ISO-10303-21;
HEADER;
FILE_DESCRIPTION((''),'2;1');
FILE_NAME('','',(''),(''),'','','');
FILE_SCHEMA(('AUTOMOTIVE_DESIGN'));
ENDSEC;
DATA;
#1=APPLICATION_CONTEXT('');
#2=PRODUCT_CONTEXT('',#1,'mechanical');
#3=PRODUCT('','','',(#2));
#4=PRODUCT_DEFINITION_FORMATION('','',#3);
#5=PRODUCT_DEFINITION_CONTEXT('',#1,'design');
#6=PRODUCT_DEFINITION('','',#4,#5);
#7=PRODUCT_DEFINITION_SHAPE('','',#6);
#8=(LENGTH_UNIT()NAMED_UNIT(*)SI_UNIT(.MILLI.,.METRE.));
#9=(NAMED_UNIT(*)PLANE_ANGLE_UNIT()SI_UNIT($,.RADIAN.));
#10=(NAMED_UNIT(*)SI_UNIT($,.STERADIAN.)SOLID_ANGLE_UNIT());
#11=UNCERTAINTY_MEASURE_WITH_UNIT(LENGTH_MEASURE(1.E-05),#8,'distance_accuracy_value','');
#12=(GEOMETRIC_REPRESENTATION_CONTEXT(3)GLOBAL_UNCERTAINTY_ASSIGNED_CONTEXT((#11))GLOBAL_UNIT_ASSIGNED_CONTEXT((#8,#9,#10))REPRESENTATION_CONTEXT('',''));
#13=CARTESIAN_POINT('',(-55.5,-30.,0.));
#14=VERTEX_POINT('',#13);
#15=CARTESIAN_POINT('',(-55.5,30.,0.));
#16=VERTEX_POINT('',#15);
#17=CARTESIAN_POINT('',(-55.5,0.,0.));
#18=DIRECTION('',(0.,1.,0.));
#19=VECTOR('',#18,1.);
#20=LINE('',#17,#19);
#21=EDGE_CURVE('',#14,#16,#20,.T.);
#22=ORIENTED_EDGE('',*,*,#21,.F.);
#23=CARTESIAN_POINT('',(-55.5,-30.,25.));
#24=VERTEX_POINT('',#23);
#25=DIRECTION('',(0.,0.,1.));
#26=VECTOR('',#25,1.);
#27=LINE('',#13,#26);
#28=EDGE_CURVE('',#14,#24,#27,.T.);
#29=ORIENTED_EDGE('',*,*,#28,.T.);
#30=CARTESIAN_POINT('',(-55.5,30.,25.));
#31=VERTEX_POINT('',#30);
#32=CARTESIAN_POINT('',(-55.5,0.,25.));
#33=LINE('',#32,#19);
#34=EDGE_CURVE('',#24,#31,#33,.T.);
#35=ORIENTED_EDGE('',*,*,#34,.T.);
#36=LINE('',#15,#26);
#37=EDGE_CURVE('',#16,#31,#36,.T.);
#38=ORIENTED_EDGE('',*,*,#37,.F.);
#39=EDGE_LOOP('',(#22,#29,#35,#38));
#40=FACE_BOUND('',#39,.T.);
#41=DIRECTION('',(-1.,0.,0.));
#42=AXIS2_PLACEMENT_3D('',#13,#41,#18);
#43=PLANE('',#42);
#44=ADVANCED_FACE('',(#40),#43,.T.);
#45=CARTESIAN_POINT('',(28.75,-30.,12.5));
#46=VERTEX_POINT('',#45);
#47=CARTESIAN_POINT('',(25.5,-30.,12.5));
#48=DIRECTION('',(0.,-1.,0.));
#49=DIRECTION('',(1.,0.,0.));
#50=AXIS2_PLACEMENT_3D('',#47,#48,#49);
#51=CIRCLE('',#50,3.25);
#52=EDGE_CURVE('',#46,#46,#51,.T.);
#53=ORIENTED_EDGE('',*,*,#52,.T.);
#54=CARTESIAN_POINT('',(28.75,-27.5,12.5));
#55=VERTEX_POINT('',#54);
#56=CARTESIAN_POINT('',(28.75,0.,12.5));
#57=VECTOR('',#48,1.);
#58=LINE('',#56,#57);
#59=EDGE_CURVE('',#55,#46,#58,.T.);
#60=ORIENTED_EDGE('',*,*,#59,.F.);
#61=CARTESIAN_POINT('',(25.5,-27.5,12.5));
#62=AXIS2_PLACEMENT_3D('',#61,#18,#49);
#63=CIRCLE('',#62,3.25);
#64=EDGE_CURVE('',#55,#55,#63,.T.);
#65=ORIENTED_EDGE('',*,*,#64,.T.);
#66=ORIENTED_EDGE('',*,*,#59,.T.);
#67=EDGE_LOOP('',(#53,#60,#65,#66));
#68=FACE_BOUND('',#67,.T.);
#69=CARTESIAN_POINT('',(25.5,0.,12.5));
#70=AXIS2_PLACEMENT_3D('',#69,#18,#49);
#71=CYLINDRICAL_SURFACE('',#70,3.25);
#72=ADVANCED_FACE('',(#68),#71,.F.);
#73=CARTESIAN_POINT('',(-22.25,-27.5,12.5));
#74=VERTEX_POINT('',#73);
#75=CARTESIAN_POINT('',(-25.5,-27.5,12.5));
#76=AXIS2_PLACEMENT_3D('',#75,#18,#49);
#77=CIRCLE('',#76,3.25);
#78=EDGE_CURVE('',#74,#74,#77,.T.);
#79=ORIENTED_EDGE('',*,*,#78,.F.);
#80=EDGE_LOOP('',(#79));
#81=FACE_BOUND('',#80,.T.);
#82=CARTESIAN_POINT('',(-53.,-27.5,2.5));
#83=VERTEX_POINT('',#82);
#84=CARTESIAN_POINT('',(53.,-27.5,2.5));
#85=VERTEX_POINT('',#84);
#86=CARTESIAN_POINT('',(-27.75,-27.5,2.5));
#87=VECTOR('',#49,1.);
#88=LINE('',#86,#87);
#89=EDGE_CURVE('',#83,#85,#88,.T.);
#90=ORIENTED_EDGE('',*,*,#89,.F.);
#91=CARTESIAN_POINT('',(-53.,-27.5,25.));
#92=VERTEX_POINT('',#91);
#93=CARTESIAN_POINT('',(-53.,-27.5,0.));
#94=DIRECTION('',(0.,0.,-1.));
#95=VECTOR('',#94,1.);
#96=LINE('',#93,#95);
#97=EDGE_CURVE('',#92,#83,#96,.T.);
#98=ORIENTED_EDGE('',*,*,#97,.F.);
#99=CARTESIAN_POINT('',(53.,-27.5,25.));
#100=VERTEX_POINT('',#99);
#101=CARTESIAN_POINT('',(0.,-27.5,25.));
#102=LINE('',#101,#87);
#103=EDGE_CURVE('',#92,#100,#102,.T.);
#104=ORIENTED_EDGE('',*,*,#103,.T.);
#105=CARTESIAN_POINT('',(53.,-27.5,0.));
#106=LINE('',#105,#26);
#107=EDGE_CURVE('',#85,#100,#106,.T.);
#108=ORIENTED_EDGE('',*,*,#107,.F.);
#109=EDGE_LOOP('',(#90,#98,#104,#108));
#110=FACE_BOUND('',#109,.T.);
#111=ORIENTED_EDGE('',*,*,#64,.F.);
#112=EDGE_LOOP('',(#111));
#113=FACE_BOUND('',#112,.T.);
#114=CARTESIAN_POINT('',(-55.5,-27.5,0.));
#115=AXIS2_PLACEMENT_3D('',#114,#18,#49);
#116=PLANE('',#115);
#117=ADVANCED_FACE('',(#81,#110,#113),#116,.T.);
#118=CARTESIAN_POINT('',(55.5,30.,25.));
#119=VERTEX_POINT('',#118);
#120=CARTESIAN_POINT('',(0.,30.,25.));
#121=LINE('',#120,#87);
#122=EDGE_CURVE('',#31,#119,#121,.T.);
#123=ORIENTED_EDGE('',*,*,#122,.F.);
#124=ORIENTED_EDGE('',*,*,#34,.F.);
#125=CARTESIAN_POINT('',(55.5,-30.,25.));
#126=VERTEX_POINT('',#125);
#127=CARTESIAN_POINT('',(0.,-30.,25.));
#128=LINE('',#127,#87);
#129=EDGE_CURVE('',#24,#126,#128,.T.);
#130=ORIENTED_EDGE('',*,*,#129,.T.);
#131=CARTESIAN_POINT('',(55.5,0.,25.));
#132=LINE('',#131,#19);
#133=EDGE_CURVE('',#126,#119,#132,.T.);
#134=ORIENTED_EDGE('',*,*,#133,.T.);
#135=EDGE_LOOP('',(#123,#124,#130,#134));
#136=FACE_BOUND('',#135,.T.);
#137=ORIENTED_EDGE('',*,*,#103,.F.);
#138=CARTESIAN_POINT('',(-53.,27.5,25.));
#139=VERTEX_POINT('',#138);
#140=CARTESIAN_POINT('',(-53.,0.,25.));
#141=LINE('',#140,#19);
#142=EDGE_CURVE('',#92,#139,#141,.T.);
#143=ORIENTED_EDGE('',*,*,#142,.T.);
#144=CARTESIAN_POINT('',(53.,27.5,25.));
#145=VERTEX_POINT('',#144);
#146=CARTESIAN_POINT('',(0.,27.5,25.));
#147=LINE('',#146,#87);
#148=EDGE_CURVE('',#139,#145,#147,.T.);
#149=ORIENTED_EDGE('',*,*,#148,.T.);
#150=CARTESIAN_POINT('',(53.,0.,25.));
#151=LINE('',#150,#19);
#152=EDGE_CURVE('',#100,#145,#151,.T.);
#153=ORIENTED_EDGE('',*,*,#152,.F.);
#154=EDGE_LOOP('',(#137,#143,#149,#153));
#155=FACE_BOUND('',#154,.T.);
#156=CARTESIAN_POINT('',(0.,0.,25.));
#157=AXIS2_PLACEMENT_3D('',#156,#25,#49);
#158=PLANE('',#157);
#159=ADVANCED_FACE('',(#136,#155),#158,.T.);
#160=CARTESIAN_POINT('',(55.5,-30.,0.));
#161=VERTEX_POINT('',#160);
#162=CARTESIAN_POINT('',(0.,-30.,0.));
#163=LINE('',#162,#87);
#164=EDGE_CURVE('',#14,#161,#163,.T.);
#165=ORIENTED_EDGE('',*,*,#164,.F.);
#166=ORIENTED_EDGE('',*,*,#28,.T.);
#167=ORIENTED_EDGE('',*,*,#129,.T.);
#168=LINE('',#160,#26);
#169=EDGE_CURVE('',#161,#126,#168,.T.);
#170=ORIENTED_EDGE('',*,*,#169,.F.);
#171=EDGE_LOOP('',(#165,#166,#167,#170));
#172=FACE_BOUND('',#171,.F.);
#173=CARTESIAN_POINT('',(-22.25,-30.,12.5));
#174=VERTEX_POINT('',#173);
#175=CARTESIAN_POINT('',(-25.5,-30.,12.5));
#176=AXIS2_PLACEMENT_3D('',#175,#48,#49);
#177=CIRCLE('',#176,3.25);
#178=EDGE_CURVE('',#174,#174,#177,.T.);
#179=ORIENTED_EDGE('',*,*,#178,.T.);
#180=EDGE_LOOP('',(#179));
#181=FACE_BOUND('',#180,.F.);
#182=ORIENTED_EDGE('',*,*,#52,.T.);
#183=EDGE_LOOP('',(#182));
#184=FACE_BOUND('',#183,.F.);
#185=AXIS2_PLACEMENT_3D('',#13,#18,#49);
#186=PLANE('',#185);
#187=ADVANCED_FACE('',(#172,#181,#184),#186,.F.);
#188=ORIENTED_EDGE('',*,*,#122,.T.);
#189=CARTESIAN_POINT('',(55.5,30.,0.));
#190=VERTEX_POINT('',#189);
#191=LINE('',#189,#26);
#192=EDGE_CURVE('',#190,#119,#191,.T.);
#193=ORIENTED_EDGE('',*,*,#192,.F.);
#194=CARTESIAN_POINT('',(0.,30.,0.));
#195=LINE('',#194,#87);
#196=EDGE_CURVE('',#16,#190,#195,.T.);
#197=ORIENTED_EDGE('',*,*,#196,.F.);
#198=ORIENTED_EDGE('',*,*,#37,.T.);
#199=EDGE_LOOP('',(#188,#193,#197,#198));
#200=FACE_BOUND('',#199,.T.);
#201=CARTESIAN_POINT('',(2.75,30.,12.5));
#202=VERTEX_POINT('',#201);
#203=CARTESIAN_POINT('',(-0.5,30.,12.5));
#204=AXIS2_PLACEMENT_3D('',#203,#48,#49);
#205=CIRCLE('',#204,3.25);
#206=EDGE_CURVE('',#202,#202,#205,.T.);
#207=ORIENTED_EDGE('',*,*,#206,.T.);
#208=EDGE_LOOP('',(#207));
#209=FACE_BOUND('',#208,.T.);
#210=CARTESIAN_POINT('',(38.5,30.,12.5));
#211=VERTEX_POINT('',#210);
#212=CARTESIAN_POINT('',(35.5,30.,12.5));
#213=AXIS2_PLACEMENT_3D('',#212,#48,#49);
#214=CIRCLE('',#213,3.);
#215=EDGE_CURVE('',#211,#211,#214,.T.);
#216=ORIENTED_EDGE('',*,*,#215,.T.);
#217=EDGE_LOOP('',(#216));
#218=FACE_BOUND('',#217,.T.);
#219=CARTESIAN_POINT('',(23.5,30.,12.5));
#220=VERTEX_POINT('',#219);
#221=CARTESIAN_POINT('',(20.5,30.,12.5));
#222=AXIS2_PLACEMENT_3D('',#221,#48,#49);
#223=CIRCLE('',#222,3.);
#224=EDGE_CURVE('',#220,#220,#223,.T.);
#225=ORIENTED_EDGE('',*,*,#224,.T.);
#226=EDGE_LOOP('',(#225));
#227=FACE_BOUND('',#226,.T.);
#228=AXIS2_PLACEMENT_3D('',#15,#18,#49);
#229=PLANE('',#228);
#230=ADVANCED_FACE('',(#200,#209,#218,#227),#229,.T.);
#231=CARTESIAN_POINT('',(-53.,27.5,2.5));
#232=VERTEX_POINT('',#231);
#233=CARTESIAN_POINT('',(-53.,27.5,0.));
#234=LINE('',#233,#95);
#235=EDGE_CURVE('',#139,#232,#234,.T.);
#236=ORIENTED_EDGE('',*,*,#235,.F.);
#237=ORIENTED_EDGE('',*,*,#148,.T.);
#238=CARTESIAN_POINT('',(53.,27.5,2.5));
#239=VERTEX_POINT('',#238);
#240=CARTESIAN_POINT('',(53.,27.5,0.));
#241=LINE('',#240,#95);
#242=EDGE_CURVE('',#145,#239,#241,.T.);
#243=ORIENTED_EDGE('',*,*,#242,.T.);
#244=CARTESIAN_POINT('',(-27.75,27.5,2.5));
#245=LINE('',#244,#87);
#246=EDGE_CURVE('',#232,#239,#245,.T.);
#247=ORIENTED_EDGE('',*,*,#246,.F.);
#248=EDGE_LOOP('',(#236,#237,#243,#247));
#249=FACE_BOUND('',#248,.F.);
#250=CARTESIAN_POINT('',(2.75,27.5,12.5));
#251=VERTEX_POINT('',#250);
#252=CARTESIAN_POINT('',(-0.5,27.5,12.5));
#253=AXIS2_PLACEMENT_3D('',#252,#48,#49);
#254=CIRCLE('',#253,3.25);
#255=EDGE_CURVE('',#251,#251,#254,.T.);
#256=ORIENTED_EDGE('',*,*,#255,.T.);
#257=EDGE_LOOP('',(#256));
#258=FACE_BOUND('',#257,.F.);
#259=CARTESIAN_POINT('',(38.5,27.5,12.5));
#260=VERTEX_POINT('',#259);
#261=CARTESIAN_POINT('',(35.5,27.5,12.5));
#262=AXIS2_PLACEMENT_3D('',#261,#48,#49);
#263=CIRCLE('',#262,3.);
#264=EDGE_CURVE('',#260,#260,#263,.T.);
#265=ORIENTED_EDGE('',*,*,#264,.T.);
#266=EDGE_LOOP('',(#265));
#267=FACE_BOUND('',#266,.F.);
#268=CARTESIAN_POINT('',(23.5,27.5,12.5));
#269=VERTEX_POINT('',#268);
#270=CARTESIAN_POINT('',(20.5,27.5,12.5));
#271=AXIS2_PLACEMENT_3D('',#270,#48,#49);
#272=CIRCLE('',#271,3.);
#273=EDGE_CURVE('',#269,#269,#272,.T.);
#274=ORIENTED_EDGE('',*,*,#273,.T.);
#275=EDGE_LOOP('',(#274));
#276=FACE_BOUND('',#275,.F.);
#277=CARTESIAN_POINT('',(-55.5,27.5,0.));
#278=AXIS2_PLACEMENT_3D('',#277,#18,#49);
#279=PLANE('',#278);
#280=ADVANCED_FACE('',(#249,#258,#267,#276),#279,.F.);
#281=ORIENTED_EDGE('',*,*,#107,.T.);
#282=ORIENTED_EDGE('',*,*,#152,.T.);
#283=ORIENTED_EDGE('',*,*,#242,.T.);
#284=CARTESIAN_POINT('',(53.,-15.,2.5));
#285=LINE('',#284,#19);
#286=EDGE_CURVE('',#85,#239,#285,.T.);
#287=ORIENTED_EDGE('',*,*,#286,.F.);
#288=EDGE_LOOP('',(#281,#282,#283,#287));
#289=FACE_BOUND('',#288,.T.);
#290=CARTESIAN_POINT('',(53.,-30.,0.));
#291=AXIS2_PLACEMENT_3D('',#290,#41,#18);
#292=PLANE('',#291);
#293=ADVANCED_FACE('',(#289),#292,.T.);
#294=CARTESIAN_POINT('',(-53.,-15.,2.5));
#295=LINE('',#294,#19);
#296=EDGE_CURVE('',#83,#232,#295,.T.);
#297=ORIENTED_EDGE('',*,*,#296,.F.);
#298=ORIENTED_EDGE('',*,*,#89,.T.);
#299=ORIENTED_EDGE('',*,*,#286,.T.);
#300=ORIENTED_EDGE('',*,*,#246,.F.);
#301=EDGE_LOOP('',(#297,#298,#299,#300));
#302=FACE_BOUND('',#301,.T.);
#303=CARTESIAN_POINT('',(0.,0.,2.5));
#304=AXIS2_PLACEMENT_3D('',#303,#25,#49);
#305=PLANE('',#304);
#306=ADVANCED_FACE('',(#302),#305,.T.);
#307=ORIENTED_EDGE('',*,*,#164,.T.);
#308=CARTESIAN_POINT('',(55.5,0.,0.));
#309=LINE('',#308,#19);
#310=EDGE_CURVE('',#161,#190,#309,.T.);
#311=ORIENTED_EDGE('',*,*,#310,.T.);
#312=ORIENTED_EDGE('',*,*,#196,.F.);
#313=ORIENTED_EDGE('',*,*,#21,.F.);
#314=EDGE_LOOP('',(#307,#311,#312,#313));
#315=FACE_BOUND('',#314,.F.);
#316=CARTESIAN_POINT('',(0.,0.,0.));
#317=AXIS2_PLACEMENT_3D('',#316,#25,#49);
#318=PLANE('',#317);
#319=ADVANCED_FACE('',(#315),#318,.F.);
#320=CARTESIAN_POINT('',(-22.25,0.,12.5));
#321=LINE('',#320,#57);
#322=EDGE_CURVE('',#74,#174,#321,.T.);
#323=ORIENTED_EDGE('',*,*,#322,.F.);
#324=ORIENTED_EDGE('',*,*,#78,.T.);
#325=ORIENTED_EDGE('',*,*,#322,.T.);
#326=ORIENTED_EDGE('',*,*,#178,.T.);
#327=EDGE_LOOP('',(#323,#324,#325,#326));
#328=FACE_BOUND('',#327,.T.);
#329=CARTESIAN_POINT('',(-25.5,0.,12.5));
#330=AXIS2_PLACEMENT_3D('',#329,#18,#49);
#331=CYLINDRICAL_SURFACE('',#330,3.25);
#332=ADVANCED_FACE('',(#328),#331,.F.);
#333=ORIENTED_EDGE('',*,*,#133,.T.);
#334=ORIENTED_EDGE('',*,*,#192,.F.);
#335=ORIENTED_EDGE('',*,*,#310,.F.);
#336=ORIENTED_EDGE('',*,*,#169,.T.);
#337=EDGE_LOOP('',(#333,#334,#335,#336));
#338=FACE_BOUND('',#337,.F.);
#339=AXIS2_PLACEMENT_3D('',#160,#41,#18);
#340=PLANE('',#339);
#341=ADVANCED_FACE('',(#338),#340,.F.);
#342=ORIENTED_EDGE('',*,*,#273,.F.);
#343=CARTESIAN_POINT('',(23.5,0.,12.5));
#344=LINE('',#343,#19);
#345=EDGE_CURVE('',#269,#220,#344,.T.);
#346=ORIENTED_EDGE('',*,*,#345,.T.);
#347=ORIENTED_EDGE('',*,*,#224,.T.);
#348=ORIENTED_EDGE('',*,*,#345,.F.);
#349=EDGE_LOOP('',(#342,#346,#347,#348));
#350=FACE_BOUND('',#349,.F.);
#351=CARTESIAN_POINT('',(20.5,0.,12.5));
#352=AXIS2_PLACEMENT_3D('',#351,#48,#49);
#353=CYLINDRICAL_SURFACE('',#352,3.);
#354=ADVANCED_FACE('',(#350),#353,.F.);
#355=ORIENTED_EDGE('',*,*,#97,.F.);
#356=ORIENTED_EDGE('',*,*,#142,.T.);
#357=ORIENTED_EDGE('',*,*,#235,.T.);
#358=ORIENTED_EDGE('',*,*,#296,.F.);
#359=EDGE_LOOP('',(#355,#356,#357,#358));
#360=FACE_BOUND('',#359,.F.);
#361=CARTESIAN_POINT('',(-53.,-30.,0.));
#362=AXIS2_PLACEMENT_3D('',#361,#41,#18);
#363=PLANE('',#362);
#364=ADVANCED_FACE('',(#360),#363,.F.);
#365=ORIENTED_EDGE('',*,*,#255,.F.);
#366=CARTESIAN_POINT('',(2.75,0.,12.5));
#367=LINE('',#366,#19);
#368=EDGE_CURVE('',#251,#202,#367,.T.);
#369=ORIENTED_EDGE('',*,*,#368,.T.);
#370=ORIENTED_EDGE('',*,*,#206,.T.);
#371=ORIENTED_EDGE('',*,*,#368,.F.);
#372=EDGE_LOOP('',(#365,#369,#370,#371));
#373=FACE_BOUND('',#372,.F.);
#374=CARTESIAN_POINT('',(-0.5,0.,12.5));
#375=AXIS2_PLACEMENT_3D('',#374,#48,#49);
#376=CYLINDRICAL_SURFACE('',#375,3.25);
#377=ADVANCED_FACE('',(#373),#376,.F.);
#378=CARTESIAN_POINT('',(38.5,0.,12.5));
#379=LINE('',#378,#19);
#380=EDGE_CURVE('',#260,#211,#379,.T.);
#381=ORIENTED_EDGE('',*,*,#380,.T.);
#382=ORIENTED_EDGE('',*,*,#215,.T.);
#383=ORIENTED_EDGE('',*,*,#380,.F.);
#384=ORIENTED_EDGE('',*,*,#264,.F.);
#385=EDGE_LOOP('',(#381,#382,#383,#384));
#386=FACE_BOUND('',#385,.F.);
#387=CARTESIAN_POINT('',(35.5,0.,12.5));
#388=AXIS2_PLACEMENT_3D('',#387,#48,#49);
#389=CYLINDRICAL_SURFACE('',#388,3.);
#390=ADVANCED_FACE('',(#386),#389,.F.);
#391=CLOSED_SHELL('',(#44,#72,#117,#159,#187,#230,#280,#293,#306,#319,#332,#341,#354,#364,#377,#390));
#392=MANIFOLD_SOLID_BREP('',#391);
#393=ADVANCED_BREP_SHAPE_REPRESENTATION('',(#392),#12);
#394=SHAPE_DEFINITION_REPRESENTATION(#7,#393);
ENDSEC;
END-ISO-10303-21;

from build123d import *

# Parameters (mm, degrees)
F0_W     = 111
F0_H     = 60
F1_DEPTH = 25
F2_T     = -2.5
F3_R     = 3.25
F4_DEPTH = 30
F5_R     = 3.25
F5_R_2   = 3
F6_DEPTH = 30


with BuildPart() as f1:
    # F0 (on Top) → F1 (new body)
    with BuildSketch(Plane.XY):
        Rectangle(F0_W, F0_H)
    extrude(amount=F1_DEPTH)

    # F2
    f2_openings = [f1.faces().sort_by_distance(p)[0] for p in [
        (0, 0, 25),
    ]]
    offset(amount=F2_T, openings=f2_openings)

    # F3 (on Front) → F4 (cut, through all)
    with BuildSketch(Plane.XZ):
        with Locations((-25.5, 12.5)):
            Circle(F3_R)
        with Locations((25.5, 12.5)):
            Circle(F3_R)
    extrude(amount=F4_DEPTH, mode=Mode.SUBTRACT)

    # F5 (on Front) → F6 (cut, through all)
    with BuildSketch(Plane.XZ):
        with Locations((-0.5, 12.5)):
            Circle(F5_R)
        with Locations((20.5, 12.5)):
            Circle(F5_R_2)
        with Locations((35.5, 12.5)):
            Circle(F5_R_2)
    extrude(amount=-F6_DEPTH, mode=Mode.SUBTRACT)


solid = f1.part
